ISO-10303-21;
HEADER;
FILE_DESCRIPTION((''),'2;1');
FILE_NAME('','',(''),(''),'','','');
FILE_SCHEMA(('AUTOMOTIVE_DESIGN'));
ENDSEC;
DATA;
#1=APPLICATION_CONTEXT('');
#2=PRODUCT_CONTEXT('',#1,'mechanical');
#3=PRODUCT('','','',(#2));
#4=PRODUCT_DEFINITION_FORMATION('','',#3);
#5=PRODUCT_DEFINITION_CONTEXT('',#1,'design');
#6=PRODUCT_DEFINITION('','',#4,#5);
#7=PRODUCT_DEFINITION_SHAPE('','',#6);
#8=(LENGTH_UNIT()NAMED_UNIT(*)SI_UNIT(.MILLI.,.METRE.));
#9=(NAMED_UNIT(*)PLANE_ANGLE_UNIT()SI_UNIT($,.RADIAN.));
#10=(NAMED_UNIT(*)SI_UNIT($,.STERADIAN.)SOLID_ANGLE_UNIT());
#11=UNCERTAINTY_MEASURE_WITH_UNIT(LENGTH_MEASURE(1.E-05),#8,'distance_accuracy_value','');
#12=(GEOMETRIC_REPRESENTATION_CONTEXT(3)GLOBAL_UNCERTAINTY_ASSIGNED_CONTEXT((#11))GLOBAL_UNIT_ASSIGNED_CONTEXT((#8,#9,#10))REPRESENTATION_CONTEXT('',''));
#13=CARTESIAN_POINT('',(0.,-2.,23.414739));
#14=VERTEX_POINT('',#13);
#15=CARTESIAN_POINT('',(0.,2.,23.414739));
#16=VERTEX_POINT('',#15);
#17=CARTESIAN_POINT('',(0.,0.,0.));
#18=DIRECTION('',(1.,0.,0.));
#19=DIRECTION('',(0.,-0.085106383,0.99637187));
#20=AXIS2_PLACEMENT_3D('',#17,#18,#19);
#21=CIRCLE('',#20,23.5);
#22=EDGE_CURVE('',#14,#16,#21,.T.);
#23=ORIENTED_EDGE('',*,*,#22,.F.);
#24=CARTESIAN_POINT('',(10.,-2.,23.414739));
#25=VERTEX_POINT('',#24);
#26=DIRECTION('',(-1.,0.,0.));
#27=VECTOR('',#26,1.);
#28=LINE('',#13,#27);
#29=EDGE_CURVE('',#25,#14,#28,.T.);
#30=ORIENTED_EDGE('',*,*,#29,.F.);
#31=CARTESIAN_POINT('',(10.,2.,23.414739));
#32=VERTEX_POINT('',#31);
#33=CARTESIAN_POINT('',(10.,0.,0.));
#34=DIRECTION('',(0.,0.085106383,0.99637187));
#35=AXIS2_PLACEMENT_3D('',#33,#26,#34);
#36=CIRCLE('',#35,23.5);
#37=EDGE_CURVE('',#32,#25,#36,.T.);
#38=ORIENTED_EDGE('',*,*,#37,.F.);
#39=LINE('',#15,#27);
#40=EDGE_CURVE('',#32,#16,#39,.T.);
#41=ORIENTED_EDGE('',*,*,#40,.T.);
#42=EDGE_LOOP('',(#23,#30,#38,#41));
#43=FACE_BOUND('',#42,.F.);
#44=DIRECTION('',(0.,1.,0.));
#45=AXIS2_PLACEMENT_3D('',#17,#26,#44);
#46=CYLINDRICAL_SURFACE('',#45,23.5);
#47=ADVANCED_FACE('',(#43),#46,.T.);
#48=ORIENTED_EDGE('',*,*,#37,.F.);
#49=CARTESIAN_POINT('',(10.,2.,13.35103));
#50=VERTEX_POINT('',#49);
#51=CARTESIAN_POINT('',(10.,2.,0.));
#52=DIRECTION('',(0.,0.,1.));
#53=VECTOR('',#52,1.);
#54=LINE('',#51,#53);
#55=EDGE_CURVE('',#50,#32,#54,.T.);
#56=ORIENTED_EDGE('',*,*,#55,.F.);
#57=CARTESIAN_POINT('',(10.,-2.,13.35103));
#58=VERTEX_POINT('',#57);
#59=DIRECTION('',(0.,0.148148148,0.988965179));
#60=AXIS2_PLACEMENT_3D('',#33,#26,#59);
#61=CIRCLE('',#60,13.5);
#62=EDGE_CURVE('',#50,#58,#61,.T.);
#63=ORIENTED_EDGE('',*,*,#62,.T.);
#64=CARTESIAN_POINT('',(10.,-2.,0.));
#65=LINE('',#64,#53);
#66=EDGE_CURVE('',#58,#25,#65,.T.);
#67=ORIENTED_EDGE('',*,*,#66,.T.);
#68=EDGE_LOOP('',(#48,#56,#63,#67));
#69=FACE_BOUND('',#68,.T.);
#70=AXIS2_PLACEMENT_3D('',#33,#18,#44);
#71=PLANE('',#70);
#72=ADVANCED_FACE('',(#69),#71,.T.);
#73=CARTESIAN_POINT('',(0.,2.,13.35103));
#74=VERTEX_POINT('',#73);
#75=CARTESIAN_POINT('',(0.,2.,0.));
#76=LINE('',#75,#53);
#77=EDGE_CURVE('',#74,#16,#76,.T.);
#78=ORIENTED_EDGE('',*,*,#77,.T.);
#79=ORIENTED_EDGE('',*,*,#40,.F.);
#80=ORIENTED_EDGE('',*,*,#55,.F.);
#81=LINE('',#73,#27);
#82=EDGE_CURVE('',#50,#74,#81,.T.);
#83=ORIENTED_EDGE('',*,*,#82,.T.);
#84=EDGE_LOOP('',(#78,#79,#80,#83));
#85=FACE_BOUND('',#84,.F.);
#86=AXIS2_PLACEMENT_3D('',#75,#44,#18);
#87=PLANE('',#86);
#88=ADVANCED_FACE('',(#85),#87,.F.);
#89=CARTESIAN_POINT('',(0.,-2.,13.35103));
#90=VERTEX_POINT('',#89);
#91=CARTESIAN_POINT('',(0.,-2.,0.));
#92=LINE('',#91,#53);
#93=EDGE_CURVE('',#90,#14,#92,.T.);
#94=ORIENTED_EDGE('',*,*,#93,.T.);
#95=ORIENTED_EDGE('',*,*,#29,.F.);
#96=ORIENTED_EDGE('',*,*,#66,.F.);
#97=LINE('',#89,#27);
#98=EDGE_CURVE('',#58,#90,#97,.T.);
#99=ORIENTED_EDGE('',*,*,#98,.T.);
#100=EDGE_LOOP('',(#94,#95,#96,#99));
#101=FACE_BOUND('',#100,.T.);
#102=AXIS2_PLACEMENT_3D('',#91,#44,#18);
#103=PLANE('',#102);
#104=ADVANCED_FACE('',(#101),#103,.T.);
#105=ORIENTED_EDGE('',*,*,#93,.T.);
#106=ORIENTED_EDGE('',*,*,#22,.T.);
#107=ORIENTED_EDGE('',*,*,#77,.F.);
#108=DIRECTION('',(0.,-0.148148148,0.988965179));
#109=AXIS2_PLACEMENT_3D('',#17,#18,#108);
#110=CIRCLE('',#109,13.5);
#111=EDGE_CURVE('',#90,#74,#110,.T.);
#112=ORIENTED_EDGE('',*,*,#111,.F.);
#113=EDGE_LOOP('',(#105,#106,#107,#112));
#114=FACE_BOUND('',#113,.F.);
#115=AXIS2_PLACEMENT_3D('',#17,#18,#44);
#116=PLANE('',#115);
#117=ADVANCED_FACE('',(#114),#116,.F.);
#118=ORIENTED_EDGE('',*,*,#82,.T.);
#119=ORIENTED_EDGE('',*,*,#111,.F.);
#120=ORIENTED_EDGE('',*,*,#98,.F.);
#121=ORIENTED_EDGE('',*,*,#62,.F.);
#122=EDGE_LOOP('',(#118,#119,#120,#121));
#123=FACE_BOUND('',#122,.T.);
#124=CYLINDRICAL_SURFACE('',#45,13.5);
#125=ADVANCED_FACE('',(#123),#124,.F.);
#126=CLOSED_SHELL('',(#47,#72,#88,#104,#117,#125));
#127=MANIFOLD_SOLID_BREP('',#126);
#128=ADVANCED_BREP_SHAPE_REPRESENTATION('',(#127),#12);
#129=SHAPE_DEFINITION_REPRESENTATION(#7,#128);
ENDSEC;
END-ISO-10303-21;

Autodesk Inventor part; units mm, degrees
ref_plane "YZ Plane" through (0, 0, 0) normal (1, 0, 0) x (0, 1, 0)
ref_plane "XZ Plane" through (0, 0, 0) normal (0, 1, 0) x (-1, 0, 0)
sketch "Sketch1" plane through (0, 0, 0) normal (1, 0, 0) x (0, 1, 0)
  circle A0 centre (0, 0) radius 23.5
  circle A1 centre (0, 0) radius 13.5
  dimension "d0" = 27
  dimension "d1" = 47
extrude "Body" add sketch "Sketch1" along normal blind 10
sketch "Sketch2" plane through (0, 0, 0) normal (0, 0, 1) x (1, 0, 0)
  line L0 (0, -13.5) -> (0, 13.5) projected
  line L1 (10, 23.5) -> (10, -23.5) projected
  line L2 (-1.2, 0) -> (7.2, 0) projected
  line L3 (0, -2) -> (10, -2)
  line L4 (0, 2) -> (10, 2)
  dimension "d4" = 2
  dimension "d5" = 2
  dimension "d6" = 90
extrude "Cut" cut sketch "Sketch2" along normal up to next
ref_plane "Work Plane1" through (0, 0, 0) normal (0, -1, 0) x (1, 0, 0)
equation "\"d0\" = SD1"
equation "\"d1\" = SD2"
equation "\"d2\" = SD"
equation "\"d4\" = 0.2 * SD"
equation "\"d5\" = 0.2 * SD"
equation "\"d6\" = FAWI"
equation "\"d7\" = SD"
equation "\"SD1\" = 27"
equation "\"SD2\" = 47"
equation "\"SD\" = 10"
equation "\"FAWI\" = 90deg"
equation "\"NND\" = 24"
properties part number "AS 1085.7 - 24" material "Steel, Mild"
